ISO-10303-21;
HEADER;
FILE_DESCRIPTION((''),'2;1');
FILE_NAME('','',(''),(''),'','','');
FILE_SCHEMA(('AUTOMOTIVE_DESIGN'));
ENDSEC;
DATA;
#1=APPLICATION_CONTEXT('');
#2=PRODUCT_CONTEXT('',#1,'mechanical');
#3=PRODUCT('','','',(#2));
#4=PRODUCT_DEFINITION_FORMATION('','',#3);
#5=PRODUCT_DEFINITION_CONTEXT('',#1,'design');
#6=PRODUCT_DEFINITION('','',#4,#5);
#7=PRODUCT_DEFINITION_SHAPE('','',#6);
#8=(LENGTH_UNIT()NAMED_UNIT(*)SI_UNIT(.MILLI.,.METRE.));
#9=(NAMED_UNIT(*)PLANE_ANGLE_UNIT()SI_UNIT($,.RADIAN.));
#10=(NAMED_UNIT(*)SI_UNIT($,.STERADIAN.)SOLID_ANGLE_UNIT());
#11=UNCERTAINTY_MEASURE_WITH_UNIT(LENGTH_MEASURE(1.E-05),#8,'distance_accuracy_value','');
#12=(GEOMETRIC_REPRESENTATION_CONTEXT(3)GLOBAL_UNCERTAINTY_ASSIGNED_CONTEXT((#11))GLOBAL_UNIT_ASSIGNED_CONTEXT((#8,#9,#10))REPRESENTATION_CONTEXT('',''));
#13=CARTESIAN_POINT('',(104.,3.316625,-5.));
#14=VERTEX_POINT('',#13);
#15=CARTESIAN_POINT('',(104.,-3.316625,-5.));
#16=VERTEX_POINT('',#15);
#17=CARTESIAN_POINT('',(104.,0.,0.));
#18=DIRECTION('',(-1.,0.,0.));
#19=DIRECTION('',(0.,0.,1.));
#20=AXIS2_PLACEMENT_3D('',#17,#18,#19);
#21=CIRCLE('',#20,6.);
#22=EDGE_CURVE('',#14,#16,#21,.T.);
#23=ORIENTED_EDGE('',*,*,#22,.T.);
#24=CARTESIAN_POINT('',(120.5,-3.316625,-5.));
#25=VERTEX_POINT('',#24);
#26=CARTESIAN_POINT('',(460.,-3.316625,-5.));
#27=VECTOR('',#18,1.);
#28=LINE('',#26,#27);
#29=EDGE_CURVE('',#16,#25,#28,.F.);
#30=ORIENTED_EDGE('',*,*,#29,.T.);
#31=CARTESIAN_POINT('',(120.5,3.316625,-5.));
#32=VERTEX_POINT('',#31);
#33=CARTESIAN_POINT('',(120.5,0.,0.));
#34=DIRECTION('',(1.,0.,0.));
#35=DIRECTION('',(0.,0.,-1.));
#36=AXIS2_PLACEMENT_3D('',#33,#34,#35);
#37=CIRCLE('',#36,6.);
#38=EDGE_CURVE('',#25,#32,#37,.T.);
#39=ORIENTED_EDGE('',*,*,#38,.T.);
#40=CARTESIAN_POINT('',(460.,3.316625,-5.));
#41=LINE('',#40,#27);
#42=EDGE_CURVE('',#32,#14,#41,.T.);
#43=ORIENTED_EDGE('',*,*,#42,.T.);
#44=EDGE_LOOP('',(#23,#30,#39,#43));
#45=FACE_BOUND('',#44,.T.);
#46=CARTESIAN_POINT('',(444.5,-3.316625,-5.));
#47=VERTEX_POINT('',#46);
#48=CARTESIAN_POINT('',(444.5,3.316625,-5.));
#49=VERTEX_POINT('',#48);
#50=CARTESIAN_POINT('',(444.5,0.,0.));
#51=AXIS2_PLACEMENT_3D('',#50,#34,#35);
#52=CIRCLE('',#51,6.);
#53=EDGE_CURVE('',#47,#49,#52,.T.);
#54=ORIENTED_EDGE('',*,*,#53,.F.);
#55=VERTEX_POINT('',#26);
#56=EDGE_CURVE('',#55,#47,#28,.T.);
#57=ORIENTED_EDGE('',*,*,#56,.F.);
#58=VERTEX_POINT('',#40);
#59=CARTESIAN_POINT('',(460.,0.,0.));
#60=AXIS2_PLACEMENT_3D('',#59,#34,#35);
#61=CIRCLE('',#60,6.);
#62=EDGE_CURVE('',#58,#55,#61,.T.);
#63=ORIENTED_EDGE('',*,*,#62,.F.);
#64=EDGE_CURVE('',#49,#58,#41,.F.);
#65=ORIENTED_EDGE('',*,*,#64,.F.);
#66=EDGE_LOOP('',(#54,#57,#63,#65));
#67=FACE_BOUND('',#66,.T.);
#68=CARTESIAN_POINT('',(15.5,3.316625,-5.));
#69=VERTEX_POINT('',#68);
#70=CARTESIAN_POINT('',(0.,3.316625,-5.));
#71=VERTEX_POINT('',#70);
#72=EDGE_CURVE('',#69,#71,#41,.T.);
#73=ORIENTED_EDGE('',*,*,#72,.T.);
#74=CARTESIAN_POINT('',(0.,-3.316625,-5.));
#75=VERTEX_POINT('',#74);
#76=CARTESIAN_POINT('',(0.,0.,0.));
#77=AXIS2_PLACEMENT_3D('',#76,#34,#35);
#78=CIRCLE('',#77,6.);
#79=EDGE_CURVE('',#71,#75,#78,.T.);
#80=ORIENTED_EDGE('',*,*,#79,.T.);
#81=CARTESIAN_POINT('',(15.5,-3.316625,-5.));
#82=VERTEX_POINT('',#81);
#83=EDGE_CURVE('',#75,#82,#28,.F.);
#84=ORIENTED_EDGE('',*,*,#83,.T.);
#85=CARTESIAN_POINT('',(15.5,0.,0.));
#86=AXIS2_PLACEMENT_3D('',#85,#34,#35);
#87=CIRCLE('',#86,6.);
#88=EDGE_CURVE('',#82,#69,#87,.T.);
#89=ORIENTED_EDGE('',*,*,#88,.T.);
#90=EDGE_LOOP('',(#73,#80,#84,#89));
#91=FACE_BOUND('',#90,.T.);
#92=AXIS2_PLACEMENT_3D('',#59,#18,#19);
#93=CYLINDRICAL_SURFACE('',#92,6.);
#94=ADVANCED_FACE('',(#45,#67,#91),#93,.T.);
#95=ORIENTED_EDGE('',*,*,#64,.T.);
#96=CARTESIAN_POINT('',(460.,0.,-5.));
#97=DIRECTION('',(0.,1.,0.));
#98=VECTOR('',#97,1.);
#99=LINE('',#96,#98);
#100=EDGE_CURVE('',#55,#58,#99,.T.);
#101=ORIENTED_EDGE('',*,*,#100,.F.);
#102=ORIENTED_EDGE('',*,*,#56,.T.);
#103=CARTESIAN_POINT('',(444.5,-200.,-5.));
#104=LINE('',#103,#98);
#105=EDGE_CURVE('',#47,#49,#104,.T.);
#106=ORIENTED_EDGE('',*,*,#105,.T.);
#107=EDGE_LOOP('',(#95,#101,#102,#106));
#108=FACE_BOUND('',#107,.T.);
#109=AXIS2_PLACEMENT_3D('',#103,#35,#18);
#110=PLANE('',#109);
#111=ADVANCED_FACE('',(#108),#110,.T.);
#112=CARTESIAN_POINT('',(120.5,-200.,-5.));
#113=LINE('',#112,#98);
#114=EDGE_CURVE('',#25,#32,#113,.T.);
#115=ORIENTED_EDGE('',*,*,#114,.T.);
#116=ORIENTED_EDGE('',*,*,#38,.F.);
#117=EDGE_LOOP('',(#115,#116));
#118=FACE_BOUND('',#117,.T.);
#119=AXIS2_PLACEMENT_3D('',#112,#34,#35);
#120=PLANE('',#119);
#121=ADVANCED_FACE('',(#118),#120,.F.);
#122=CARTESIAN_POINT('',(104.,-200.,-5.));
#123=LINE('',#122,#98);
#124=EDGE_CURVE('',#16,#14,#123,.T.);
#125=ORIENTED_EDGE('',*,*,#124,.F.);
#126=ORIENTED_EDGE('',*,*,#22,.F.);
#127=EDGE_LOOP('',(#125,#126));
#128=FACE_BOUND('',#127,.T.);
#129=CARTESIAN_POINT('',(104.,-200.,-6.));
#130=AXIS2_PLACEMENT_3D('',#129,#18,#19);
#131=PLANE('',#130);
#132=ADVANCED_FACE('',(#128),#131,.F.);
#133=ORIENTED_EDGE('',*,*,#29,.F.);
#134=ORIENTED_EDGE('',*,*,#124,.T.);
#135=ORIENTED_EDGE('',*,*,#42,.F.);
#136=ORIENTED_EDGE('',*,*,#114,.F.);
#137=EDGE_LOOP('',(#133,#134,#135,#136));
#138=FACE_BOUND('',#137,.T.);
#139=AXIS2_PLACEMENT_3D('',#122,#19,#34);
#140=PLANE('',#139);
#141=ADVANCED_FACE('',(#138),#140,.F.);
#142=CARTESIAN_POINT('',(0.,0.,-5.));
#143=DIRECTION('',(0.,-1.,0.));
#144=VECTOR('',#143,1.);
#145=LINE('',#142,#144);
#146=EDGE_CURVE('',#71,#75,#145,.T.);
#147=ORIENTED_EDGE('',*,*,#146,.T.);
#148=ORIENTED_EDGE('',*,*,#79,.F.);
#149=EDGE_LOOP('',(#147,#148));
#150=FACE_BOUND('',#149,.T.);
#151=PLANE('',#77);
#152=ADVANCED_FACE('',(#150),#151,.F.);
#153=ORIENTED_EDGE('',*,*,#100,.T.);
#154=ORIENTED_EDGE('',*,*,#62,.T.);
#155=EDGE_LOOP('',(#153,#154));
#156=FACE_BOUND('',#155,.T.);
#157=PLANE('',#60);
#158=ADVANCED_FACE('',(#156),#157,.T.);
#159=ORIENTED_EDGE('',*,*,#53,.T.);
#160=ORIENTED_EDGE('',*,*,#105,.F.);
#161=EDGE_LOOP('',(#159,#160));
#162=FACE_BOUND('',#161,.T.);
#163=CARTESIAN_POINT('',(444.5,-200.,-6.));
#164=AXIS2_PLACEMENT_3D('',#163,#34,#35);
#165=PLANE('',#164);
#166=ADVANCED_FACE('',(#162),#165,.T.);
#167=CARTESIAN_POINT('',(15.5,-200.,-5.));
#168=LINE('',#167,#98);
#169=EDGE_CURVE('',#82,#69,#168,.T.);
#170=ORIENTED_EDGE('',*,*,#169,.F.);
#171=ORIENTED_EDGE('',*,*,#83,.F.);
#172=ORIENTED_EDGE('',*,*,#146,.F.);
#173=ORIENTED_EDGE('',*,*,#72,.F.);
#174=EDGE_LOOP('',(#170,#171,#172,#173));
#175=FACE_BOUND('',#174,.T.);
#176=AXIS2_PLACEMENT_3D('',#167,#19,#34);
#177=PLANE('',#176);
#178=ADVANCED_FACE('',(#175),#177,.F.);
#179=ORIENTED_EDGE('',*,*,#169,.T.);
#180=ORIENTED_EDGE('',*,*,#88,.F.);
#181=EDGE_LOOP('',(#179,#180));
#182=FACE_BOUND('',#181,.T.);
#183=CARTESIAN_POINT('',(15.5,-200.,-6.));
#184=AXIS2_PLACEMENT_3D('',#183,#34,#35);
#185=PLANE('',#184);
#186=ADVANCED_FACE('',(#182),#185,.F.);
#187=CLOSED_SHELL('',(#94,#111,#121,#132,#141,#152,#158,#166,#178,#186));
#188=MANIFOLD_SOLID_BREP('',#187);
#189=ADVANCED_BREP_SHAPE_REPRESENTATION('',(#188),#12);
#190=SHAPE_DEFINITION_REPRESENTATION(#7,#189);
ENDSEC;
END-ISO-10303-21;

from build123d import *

# Parameters (mm, degrees)
SKETCH_1_R          = 6
EXTRUDE_1_DEPTH     = 460
SKETCH_2_W          = 15.5
SKETCH_2_H          = 1
CUT_EXTRUDE_1_DEPTH = 200
SKETCH_4_W          = 16.5
SKETCH_4_H          = 1
CUT_EXTRUDE_2_DEPTH = 200


with BuildPart() as part:
    # 草图1 → 凸台-拉伸1 (new body)
    with BuildSketch(Plane(origin=(0, 0, 0), x_dir=(0, 0, -1), z_dir=(1, 0, 0))):
        Circle(SKETCH_1_R)
    extrude(amount=EXTRUDE_1_DEPTH)

    # 草图2 → 切除-拉伸1 (cut, symmetric)
    with BuildSketch(Plane(origin=(0, 0, 0), x_dir=(1, 0, 0), z_dir=(0, 1, 0))):
        with Locations((7.75, 5.5)):
            Rectangle(SKETCH_2_W, SKETCH_2_H)
    cut_extrude_1 = extrude(amount=CUT_EXTRUDE_1_DEPTH, both=True, mode=Mode.SUBTRACT)

    # 镜向1: 切除-拉伸1 across plane
    add(cut_extrude_1.mirror(Plane.ZY.offset(-230)), mode=Mode.SUBTRACT)

    # 草图4 → 切除-拉伸2 (cut, symmetric)
    with BuildSketch(Plane(origin=(0, 0, 0), x_dir=(1, 0, 0), z_dir=(0, 1, 0))):
        with Locations((112.25, 5.5)):
            Rectangle(SKETCH_4_W, SKETCH_4_H)
    extrude(amount=CUT_EXTRUDE_2_DEPTH, both=True, mode=Mode.SUBTRACT)


solid = part.part
